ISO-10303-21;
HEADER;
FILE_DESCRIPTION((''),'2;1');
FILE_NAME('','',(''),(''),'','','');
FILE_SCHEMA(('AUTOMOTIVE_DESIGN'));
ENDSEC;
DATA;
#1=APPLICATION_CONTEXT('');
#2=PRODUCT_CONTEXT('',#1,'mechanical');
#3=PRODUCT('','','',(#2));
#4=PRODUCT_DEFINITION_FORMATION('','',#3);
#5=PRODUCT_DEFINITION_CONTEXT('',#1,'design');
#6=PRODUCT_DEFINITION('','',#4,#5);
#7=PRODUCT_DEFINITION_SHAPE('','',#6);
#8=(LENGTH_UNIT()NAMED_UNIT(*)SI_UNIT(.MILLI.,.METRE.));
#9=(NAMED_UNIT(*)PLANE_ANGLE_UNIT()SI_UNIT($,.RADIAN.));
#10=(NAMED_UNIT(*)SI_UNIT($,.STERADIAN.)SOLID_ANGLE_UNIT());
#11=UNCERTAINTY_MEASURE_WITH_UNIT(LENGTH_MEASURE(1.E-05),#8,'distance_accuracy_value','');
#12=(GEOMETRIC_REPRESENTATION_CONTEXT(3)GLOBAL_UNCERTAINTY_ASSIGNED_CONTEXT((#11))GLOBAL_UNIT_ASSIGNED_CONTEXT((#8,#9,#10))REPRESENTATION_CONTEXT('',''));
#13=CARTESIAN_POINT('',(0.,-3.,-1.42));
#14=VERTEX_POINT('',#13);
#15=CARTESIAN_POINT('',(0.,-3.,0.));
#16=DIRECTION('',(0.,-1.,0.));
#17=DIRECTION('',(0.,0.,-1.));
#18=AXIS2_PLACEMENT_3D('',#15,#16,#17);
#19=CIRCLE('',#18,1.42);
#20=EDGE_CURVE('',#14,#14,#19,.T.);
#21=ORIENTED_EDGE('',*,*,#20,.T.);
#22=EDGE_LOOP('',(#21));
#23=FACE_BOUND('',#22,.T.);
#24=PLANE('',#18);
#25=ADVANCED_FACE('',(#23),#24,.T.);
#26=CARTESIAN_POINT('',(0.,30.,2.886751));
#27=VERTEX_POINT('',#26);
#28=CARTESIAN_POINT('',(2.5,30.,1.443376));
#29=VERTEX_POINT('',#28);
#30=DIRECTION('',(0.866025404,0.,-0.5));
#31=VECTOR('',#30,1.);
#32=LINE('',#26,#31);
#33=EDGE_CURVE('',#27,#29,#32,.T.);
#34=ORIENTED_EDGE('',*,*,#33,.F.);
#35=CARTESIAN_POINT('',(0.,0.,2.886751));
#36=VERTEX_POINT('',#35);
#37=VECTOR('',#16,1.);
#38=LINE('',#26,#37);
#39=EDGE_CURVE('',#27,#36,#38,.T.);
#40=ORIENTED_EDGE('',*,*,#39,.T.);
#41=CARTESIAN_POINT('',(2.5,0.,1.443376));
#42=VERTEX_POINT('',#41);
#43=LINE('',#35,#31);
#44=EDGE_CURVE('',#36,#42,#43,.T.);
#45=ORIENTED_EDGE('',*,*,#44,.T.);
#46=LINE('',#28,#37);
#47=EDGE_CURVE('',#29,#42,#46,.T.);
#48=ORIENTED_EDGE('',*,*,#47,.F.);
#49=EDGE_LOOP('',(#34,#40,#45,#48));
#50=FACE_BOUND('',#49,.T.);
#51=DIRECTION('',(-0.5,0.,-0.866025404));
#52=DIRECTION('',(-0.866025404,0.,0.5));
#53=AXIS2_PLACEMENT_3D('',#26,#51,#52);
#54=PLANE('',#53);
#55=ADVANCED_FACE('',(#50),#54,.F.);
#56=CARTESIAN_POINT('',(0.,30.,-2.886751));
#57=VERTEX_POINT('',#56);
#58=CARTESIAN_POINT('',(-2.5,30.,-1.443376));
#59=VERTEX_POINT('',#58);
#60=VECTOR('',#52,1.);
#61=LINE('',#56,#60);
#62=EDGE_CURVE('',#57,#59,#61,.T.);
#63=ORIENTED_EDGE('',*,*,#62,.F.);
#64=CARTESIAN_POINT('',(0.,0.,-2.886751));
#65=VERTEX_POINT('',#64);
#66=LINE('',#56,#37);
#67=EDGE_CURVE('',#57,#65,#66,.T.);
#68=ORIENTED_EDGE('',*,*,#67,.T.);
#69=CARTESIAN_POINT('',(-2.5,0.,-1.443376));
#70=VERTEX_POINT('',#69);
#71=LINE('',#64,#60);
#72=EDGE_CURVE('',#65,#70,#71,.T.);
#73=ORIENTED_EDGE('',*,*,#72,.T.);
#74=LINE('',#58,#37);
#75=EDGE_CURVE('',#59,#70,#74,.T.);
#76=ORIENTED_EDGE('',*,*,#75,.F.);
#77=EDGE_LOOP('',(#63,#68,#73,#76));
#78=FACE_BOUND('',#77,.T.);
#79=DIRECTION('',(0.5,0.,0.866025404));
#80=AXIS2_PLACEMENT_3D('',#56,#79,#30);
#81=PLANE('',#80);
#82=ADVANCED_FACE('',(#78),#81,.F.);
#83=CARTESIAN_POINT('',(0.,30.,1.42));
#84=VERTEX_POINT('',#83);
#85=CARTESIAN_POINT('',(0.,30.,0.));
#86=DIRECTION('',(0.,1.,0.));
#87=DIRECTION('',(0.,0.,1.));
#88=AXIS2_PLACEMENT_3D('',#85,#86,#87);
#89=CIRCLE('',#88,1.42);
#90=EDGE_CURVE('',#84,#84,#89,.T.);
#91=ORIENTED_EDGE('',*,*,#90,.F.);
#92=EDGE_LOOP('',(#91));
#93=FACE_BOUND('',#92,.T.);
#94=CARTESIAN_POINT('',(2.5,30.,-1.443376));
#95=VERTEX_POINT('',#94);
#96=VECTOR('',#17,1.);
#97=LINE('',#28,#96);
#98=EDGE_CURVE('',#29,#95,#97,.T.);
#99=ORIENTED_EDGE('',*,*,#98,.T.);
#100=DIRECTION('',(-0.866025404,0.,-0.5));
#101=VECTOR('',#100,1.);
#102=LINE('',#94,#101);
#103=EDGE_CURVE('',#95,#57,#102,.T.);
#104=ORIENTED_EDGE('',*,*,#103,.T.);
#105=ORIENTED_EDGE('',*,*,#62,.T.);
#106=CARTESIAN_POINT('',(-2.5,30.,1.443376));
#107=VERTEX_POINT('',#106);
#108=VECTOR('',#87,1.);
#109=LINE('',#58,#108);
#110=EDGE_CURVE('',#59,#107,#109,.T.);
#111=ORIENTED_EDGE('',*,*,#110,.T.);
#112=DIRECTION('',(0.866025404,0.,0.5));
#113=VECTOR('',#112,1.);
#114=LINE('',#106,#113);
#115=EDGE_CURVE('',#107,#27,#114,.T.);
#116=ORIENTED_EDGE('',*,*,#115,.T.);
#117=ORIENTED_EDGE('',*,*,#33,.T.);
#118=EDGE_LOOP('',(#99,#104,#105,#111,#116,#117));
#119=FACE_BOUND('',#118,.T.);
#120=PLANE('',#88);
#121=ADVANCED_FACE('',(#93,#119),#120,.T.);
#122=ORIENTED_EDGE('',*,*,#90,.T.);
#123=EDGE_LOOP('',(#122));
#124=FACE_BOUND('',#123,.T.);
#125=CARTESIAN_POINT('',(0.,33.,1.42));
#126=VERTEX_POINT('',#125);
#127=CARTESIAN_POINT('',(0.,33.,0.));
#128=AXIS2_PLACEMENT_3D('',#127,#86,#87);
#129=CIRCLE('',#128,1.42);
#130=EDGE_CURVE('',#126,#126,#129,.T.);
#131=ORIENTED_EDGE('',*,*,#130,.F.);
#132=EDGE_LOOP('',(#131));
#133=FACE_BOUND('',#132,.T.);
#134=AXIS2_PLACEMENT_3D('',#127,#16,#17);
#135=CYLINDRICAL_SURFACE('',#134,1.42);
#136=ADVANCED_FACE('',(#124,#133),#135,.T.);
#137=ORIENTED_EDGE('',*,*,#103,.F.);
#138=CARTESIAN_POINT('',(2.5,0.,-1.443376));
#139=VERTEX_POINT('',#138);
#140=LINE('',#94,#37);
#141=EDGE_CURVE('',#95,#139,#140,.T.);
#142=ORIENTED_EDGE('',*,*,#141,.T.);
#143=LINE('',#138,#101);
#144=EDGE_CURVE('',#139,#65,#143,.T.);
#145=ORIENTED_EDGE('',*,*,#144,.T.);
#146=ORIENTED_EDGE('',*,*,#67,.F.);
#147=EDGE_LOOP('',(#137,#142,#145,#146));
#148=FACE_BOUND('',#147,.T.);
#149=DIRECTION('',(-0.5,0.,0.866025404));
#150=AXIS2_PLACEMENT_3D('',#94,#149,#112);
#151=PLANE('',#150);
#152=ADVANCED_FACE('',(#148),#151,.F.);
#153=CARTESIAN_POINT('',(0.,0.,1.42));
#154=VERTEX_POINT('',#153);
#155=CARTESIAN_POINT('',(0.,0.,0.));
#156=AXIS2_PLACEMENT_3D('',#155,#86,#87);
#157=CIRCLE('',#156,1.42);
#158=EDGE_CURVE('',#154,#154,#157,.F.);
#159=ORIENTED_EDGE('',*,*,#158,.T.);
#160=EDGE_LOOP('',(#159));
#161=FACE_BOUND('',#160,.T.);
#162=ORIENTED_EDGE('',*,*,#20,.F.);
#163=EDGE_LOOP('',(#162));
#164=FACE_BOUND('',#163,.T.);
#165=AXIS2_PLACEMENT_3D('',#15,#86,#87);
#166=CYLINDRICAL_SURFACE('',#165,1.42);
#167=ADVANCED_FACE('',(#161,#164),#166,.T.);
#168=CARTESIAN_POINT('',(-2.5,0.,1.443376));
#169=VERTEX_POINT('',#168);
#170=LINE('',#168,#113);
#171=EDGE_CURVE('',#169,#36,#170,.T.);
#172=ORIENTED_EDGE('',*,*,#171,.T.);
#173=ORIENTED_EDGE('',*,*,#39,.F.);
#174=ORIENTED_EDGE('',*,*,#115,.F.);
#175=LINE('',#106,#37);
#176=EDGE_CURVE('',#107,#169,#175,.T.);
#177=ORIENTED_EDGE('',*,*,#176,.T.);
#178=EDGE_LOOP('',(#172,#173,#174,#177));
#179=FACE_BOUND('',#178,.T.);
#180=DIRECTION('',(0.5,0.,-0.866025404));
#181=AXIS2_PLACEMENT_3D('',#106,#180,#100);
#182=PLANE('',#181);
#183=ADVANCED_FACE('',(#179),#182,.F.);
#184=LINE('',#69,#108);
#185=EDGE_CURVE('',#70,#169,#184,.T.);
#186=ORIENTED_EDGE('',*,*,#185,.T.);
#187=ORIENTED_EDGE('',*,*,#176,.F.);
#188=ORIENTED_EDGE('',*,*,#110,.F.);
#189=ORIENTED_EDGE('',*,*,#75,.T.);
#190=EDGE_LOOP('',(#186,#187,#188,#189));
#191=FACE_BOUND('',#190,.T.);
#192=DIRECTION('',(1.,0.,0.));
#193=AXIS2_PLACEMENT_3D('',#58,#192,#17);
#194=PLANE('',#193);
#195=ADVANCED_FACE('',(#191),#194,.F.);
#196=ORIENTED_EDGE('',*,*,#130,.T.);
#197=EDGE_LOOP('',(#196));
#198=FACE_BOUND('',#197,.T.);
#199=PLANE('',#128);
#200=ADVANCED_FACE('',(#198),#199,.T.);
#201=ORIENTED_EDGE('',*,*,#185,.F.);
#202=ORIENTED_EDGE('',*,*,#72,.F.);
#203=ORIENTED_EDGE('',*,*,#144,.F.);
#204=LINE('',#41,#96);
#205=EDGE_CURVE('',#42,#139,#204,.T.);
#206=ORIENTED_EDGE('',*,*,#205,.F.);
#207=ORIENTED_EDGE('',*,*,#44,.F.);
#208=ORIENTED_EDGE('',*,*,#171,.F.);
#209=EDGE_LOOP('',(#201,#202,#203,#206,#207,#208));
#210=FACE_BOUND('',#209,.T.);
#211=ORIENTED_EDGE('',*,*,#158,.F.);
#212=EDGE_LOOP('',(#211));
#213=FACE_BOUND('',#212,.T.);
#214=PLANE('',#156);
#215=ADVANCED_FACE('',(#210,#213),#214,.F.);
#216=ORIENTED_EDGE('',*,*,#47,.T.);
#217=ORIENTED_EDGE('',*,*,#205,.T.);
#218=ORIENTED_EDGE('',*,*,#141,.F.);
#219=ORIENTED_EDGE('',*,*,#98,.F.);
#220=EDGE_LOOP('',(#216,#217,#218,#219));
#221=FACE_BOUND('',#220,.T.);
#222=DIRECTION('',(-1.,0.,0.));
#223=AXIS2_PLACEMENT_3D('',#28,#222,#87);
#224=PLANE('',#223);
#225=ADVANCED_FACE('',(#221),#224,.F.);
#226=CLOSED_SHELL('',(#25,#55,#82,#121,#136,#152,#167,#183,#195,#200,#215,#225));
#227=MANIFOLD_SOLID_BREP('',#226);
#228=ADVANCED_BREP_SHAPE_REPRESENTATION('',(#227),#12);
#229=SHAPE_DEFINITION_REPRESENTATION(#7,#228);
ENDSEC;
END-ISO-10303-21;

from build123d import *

# Parameters (mm, degrees)
BOSS_EXTRUDE1_DEPTH = 30
SKETCH3_R           = 1.42
BOSS_EXTRUDE2_DEPTH = 3
BOSS_EXTRUDE3_START = 3
SKETCH4_R           = 1.42
BOSS_EXTRUDE3_DEPTH = 3


with BuildPart() as part:
    # Sketch2 → Boss-Extrude1 (new body)
    with BuildSketch(Plane(origin=(0, 0, 0), x_dir=(1, 0, 0), z_dir=(0, 1, 0))):
        Polygon((0, 2.886751346), (-2.5, 1.443375673), (-2.5, -1.443375673), (0, -2.886751346), (2.5, -1.443375673), (2.5, 1.443375673), align=None)
    extrude(amount=BOSS_EXTRUDE1_DEPTH)

    # Sketch3 → Boss-Extrude2 (add)
    with BuildSketch(Plane(origin=(0, 30, 0), x_dir=(1, 0, 0), z_dir=(0, 1, 0))):
        with Locations(Location((0, 0, 0), (0, 0, 270))):
            Circle(SKETCH3_R)
    extrude(amount=BOSS_EXTRUDE2_DEPTH)

    # Sketch4 → Boss-Extrude3 (add)
    with BuildSketch(Plane(origin=(0, 0, 0), x_dir=(-1, 0, 0), z_dir=(0, -1, 0)).offset(BOSS_EXTRUDE3_START)):
        with Locations(Location((0, 0, 0), (0, 0, 270))):
            Circle(SKETCH4_R)
    extrude(amount=-BOSS_EXTRUDE3_DEPTH)


solid = part.part
